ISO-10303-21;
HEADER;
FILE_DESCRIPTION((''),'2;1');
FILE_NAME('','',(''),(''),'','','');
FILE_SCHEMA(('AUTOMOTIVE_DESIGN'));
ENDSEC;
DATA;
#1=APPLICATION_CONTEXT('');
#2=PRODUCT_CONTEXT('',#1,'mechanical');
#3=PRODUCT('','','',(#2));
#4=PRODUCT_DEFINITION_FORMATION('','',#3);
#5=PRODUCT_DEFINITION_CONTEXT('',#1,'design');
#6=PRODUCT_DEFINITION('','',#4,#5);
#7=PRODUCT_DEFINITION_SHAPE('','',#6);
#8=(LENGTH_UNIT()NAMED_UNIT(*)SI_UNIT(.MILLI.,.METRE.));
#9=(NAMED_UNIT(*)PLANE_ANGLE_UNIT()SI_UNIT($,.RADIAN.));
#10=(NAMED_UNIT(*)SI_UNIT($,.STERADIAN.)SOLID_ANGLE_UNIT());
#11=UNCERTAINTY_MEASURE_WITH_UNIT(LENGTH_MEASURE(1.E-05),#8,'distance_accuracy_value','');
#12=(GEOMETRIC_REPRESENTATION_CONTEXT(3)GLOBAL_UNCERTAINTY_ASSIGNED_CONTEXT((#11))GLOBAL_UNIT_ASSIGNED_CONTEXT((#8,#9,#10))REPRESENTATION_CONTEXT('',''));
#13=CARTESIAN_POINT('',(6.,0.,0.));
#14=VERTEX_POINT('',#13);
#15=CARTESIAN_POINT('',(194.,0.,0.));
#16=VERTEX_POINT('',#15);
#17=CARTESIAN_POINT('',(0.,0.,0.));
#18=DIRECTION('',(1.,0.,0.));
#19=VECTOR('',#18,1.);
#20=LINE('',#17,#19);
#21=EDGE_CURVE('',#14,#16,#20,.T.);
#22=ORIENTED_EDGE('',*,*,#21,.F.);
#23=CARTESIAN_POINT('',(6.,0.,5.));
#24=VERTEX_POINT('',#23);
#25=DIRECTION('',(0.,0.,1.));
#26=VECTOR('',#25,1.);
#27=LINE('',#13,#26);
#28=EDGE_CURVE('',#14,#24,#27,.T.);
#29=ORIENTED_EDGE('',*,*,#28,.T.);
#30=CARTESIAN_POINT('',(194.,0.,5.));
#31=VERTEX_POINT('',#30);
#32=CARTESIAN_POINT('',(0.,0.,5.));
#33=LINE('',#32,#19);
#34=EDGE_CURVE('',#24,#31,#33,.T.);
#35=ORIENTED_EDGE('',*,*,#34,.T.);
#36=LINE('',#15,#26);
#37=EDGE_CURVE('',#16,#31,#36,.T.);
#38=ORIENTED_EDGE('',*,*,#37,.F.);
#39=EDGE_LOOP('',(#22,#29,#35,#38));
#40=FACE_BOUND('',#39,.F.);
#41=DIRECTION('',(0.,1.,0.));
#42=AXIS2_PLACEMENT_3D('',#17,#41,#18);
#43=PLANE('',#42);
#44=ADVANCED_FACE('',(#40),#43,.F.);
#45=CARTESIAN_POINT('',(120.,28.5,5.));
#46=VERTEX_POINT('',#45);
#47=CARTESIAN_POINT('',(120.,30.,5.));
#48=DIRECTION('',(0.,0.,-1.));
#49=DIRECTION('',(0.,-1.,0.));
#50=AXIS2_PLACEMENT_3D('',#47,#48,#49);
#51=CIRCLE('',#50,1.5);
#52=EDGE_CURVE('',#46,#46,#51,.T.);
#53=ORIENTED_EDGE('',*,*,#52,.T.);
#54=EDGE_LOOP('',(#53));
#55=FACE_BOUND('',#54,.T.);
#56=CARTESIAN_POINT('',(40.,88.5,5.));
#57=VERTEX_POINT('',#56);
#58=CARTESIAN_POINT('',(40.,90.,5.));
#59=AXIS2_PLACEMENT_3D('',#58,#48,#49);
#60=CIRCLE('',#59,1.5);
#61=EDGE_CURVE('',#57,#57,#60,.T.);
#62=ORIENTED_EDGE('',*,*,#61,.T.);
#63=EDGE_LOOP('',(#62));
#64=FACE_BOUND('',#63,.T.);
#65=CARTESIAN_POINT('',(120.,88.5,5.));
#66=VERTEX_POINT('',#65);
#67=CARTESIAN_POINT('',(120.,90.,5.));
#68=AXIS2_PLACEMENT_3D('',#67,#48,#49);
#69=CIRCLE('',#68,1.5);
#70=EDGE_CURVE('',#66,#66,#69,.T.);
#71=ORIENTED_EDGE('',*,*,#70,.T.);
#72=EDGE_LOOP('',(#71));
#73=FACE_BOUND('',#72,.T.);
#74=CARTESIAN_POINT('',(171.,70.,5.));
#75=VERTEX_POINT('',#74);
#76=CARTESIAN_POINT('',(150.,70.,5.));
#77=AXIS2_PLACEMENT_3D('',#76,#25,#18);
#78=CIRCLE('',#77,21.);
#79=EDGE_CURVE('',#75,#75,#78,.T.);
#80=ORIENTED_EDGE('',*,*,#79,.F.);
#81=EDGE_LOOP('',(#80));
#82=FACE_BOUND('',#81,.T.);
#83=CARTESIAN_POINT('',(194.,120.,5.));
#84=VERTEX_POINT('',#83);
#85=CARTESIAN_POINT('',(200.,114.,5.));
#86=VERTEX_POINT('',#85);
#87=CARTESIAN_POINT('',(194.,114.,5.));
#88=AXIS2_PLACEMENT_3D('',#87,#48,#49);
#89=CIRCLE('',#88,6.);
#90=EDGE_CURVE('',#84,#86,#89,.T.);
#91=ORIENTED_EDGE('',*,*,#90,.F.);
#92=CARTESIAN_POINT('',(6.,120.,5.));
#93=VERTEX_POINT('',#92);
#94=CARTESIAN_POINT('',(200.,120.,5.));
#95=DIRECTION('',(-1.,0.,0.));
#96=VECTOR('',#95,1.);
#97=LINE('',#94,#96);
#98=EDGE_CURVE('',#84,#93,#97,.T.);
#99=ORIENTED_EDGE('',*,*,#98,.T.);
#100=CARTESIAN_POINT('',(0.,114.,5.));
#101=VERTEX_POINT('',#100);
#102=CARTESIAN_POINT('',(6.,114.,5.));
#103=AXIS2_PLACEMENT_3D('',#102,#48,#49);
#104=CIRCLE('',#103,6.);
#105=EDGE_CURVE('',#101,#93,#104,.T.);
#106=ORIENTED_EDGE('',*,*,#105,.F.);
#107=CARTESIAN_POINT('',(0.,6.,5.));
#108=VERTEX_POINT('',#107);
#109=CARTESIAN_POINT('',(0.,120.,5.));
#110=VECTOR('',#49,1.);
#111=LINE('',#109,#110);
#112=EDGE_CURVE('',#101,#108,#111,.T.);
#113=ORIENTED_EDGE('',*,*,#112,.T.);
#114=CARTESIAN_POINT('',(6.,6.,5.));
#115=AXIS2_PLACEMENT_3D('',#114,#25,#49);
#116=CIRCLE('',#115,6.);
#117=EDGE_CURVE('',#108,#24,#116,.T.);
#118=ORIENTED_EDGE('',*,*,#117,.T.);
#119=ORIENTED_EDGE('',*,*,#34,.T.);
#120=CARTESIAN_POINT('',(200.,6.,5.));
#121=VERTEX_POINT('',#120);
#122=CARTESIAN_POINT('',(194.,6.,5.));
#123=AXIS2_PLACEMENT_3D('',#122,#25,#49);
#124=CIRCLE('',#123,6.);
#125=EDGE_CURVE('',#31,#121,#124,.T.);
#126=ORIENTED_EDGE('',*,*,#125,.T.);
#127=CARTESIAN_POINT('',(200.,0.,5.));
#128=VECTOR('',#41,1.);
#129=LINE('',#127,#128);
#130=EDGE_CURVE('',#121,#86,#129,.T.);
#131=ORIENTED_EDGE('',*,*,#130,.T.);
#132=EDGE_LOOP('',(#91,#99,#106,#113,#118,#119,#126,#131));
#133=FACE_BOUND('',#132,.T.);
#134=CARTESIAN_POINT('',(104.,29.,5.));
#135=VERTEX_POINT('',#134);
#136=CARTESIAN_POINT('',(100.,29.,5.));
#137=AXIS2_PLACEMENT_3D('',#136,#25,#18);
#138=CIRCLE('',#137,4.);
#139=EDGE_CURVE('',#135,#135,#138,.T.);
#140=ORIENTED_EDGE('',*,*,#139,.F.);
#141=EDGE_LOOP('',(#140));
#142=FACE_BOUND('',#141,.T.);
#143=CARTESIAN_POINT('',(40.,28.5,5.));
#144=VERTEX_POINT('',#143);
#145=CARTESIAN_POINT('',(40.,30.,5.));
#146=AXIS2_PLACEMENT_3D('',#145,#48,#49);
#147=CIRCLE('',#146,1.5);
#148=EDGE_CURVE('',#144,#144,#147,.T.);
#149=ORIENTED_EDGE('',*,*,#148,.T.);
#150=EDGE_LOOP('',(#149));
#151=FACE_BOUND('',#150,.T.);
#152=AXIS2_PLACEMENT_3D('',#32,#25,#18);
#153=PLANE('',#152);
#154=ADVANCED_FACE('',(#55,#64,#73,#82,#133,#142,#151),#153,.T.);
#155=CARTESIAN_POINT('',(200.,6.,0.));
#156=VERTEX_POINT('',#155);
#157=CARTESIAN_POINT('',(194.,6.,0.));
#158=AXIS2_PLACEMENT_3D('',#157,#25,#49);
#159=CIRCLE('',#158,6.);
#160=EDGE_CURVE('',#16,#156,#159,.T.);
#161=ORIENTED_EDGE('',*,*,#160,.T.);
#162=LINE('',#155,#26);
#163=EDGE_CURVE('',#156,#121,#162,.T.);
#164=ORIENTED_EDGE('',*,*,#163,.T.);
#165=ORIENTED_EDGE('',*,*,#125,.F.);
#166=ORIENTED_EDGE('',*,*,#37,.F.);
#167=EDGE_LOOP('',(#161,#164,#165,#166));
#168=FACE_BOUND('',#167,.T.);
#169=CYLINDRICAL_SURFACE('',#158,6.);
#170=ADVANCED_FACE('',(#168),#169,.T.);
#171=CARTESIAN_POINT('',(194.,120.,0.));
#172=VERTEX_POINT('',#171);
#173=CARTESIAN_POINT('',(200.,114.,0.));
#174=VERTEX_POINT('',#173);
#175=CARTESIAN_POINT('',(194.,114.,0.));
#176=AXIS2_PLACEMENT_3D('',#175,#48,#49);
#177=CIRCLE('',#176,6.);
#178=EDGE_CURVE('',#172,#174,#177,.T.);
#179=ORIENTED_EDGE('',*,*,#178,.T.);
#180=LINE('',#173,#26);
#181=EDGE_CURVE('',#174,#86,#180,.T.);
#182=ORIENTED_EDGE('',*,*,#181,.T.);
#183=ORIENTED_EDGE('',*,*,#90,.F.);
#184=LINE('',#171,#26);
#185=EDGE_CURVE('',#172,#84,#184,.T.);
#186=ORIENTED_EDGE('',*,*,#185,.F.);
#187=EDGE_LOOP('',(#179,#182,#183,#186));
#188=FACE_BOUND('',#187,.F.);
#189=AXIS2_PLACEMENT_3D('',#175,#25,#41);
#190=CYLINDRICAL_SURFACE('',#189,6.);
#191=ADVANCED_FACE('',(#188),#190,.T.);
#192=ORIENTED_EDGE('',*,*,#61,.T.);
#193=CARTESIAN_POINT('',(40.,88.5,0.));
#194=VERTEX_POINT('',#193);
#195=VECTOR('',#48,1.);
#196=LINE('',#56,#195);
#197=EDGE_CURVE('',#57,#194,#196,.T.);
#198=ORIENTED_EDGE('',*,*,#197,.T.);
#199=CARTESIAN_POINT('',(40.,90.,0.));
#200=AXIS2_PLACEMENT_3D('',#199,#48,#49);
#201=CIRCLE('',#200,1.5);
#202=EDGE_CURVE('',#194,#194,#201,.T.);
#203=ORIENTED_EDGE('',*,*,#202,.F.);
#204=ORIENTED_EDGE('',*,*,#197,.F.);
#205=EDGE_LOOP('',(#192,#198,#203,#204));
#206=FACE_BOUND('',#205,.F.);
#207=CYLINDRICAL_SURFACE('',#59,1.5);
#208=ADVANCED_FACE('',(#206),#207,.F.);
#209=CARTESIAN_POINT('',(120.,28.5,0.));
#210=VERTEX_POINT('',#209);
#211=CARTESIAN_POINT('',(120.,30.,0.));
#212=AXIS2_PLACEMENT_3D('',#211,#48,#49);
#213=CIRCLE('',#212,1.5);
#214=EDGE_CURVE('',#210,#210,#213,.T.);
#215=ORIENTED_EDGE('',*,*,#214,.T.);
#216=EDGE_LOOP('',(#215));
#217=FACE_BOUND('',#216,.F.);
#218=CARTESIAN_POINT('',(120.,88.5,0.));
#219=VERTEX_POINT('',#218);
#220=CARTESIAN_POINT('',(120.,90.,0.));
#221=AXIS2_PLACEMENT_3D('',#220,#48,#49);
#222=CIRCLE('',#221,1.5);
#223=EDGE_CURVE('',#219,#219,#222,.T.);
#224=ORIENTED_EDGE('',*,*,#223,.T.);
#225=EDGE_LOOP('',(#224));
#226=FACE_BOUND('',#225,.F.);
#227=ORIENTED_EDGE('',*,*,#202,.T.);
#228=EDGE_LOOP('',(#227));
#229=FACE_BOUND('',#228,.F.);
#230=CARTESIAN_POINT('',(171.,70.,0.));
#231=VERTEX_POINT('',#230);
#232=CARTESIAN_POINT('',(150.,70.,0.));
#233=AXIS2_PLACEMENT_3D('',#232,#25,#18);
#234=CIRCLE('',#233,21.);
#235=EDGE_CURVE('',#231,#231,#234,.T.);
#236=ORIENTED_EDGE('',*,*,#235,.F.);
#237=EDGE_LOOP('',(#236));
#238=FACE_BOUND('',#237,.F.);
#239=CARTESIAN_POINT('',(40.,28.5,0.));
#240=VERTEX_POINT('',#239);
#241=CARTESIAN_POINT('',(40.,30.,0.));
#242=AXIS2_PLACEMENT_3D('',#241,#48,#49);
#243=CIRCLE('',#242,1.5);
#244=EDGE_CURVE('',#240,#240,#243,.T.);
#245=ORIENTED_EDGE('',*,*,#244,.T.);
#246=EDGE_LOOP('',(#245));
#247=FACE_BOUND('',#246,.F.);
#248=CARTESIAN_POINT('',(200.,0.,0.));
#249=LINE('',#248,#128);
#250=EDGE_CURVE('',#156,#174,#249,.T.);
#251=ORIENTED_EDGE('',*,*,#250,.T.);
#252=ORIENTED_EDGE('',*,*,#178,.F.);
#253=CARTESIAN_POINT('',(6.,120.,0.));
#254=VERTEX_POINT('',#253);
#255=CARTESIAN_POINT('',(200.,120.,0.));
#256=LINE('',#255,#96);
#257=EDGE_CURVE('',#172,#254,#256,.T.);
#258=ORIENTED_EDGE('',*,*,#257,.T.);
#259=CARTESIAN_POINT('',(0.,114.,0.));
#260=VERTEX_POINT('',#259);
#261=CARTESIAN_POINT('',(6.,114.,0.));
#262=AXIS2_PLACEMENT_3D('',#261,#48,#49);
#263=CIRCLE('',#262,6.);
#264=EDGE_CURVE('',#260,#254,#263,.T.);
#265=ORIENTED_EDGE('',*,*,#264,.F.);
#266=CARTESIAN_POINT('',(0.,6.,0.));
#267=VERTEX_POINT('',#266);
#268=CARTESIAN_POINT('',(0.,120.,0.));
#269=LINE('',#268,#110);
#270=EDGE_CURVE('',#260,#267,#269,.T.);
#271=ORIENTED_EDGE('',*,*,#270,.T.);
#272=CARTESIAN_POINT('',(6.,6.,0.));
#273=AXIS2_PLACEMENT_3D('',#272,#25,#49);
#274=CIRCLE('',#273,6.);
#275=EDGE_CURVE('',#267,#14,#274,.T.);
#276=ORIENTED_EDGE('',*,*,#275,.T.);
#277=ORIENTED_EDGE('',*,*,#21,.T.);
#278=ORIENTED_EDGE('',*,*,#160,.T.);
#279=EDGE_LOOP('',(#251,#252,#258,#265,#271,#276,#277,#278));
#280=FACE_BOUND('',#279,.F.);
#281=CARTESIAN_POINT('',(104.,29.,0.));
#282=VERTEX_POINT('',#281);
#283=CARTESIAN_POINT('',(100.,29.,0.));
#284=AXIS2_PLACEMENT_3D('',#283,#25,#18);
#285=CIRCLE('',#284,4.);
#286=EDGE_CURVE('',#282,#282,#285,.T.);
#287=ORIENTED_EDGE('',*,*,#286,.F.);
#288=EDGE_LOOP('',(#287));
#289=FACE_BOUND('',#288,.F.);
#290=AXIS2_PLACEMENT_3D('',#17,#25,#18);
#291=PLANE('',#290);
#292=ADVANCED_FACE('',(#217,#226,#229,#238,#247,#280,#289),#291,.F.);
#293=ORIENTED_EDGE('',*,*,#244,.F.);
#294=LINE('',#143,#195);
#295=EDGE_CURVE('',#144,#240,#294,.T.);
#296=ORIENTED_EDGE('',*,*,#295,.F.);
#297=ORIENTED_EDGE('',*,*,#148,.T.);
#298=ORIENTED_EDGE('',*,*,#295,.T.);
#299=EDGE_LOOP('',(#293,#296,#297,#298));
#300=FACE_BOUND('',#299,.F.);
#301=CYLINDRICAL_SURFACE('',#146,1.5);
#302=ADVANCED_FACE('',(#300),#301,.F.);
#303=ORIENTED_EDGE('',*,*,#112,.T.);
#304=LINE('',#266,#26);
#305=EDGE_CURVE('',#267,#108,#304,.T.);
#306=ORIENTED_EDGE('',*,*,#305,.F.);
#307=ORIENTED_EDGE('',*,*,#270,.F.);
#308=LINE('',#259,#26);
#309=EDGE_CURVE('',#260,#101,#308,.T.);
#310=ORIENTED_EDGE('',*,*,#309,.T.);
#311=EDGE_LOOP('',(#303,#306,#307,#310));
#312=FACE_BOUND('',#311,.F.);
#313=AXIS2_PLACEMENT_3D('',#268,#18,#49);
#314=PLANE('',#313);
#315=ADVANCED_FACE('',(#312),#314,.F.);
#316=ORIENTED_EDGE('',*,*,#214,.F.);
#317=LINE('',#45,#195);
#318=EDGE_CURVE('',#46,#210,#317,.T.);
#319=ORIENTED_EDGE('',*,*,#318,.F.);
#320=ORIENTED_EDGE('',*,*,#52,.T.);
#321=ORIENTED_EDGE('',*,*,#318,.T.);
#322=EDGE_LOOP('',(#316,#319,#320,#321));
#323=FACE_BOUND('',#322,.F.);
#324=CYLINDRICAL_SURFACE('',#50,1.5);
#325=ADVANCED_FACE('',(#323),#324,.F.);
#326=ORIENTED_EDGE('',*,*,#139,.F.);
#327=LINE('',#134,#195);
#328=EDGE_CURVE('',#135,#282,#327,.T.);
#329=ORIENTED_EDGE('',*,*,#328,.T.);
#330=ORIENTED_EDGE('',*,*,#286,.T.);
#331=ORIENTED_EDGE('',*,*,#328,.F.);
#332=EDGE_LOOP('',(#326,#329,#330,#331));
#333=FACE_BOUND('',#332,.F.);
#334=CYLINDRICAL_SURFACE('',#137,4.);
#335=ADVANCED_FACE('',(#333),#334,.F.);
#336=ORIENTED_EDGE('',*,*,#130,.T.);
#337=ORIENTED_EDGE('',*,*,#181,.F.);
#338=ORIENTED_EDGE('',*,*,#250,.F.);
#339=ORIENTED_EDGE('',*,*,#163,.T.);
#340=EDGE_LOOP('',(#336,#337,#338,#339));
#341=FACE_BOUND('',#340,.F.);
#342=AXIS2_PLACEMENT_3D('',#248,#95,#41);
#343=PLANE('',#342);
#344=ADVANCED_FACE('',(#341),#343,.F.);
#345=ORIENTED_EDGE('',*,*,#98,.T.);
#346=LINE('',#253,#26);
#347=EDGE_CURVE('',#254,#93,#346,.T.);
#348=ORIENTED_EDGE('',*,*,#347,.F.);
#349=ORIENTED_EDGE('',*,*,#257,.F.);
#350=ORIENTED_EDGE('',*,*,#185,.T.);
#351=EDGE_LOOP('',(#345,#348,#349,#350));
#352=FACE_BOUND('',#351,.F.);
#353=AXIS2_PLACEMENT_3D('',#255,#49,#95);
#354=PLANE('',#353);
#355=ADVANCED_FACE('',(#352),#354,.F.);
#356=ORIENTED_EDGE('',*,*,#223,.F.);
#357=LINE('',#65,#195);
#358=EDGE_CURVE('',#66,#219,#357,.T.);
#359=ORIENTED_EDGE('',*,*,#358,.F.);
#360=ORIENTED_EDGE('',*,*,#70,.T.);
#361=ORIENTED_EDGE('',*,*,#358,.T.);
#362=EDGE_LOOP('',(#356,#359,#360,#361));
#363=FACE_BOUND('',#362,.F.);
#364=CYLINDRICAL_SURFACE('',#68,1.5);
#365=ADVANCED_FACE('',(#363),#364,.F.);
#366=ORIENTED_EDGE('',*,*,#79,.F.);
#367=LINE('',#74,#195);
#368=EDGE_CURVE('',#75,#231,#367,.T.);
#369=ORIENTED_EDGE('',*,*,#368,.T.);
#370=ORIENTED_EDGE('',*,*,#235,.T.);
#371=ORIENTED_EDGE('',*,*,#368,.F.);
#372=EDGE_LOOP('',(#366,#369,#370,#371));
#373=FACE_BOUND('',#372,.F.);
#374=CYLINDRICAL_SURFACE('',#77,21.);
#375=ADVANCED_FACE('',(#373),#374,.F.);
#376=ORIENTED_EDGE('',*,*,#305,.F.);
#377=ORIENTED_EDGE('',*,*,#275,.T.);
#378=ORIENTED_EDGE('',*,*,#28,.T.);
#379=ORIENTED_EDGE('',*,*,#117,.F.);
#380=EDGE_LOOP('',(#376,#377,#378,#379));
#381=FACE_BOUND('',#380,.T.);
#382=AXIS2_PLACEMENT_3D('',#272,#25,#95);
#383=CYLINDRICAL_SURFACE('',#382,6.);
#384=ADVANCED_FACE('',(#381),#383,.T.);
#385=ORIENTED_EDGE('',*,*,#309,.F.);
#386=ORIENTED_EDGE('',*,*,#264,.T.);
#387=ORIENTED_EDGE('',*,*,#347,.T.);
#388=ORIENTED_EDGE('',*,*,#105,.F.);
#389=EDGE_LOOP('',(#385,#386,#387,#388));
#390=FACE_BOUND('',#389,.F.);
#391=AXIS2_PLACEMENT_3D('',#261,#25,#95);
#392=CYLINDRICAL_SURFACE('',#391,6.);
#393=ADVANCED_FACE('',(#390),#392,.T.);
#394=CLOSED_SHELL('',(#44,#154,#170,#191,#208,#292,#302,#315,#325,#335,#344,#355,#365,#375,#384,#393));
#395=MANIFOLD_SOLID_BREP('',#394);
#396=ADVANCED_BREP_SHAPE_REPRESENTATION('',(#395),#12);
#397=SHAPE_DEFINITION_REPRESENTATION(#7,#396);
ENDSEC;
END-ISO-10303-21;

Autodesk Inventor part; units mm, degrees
ref_plane "YZ Plane" through (0, 0, 0) normal (1, 0, 0) x (0, 1, 0)
ref_plane "XZ Plane" through (0, 0, 0) normal (0, 1, 0) x (-1, 0, 0)
ref_plane "XY Plane" through (0, 0, 0) normal (0, 0, 1) x (1, 0, 0)
sketch "Sketch1" plane through (0, 0, 0) normal (0, 0, 1) x (1, 0, 0)
  line L0 (0, 0) -> (200, 0)
  line L1 (200, 0) -> (200, 120)
  line L2 (200, 120) -> (0, 120)
  line L3 (0, 120) -> (0, 0)
  dimension "width" = 200
  dimension "height" = 120
extrude "Extrusion1" add sketch "Sketch1" along normal blind 5
sketch "Sketch2" plane through (0, 0, 5) normal (0, 0, 1) x (1, 0, 0)
  circle A0 centre (150, 70) radius 37
  line L0 (85, 44) -> (115, 44)
  line L1 (115, 44) -> (115, 14)
  line L2 (115, 14) -> (85, 14)
  line L3 (85, 14) -> (85, 44)
  line L4 (0, 120) -> (0, 0) projected
  line L5 (0, 0) -> (200, 0) projected
  circle A1 centre (100, 29) radius 4
  circle A2 centre (150, 70) radius 21
  dimension "d4" = 74
  dimension "d5" = 30
  dimension "d6" = 30
  dimension "d7" = 85
  dimension "d8" = 70
  dimension "d9" = 150
  dimension "d10" = 8
  dimension "d11" = 42
extrude "Extrusion2" cut sketch "Sketch2" against normal blind 8 contours A1 | A2
hole "Hole1" at (40, 90, 5) direction (0, 0, -1) diameter 3 end through all
pattern_linear "Rectangular Pattern1" count 2 spacing 80 along (1, 0, 0) count 2 spacing 60 along (0, -1, 0) of "Hole1"
fillet "Fillet1" radius 6 4 edges at (0, 120, 2.5) (0, 0, 2.5) (200, 0, 2.5) (200, 120, 2.5)
properties part number "capac 2"
